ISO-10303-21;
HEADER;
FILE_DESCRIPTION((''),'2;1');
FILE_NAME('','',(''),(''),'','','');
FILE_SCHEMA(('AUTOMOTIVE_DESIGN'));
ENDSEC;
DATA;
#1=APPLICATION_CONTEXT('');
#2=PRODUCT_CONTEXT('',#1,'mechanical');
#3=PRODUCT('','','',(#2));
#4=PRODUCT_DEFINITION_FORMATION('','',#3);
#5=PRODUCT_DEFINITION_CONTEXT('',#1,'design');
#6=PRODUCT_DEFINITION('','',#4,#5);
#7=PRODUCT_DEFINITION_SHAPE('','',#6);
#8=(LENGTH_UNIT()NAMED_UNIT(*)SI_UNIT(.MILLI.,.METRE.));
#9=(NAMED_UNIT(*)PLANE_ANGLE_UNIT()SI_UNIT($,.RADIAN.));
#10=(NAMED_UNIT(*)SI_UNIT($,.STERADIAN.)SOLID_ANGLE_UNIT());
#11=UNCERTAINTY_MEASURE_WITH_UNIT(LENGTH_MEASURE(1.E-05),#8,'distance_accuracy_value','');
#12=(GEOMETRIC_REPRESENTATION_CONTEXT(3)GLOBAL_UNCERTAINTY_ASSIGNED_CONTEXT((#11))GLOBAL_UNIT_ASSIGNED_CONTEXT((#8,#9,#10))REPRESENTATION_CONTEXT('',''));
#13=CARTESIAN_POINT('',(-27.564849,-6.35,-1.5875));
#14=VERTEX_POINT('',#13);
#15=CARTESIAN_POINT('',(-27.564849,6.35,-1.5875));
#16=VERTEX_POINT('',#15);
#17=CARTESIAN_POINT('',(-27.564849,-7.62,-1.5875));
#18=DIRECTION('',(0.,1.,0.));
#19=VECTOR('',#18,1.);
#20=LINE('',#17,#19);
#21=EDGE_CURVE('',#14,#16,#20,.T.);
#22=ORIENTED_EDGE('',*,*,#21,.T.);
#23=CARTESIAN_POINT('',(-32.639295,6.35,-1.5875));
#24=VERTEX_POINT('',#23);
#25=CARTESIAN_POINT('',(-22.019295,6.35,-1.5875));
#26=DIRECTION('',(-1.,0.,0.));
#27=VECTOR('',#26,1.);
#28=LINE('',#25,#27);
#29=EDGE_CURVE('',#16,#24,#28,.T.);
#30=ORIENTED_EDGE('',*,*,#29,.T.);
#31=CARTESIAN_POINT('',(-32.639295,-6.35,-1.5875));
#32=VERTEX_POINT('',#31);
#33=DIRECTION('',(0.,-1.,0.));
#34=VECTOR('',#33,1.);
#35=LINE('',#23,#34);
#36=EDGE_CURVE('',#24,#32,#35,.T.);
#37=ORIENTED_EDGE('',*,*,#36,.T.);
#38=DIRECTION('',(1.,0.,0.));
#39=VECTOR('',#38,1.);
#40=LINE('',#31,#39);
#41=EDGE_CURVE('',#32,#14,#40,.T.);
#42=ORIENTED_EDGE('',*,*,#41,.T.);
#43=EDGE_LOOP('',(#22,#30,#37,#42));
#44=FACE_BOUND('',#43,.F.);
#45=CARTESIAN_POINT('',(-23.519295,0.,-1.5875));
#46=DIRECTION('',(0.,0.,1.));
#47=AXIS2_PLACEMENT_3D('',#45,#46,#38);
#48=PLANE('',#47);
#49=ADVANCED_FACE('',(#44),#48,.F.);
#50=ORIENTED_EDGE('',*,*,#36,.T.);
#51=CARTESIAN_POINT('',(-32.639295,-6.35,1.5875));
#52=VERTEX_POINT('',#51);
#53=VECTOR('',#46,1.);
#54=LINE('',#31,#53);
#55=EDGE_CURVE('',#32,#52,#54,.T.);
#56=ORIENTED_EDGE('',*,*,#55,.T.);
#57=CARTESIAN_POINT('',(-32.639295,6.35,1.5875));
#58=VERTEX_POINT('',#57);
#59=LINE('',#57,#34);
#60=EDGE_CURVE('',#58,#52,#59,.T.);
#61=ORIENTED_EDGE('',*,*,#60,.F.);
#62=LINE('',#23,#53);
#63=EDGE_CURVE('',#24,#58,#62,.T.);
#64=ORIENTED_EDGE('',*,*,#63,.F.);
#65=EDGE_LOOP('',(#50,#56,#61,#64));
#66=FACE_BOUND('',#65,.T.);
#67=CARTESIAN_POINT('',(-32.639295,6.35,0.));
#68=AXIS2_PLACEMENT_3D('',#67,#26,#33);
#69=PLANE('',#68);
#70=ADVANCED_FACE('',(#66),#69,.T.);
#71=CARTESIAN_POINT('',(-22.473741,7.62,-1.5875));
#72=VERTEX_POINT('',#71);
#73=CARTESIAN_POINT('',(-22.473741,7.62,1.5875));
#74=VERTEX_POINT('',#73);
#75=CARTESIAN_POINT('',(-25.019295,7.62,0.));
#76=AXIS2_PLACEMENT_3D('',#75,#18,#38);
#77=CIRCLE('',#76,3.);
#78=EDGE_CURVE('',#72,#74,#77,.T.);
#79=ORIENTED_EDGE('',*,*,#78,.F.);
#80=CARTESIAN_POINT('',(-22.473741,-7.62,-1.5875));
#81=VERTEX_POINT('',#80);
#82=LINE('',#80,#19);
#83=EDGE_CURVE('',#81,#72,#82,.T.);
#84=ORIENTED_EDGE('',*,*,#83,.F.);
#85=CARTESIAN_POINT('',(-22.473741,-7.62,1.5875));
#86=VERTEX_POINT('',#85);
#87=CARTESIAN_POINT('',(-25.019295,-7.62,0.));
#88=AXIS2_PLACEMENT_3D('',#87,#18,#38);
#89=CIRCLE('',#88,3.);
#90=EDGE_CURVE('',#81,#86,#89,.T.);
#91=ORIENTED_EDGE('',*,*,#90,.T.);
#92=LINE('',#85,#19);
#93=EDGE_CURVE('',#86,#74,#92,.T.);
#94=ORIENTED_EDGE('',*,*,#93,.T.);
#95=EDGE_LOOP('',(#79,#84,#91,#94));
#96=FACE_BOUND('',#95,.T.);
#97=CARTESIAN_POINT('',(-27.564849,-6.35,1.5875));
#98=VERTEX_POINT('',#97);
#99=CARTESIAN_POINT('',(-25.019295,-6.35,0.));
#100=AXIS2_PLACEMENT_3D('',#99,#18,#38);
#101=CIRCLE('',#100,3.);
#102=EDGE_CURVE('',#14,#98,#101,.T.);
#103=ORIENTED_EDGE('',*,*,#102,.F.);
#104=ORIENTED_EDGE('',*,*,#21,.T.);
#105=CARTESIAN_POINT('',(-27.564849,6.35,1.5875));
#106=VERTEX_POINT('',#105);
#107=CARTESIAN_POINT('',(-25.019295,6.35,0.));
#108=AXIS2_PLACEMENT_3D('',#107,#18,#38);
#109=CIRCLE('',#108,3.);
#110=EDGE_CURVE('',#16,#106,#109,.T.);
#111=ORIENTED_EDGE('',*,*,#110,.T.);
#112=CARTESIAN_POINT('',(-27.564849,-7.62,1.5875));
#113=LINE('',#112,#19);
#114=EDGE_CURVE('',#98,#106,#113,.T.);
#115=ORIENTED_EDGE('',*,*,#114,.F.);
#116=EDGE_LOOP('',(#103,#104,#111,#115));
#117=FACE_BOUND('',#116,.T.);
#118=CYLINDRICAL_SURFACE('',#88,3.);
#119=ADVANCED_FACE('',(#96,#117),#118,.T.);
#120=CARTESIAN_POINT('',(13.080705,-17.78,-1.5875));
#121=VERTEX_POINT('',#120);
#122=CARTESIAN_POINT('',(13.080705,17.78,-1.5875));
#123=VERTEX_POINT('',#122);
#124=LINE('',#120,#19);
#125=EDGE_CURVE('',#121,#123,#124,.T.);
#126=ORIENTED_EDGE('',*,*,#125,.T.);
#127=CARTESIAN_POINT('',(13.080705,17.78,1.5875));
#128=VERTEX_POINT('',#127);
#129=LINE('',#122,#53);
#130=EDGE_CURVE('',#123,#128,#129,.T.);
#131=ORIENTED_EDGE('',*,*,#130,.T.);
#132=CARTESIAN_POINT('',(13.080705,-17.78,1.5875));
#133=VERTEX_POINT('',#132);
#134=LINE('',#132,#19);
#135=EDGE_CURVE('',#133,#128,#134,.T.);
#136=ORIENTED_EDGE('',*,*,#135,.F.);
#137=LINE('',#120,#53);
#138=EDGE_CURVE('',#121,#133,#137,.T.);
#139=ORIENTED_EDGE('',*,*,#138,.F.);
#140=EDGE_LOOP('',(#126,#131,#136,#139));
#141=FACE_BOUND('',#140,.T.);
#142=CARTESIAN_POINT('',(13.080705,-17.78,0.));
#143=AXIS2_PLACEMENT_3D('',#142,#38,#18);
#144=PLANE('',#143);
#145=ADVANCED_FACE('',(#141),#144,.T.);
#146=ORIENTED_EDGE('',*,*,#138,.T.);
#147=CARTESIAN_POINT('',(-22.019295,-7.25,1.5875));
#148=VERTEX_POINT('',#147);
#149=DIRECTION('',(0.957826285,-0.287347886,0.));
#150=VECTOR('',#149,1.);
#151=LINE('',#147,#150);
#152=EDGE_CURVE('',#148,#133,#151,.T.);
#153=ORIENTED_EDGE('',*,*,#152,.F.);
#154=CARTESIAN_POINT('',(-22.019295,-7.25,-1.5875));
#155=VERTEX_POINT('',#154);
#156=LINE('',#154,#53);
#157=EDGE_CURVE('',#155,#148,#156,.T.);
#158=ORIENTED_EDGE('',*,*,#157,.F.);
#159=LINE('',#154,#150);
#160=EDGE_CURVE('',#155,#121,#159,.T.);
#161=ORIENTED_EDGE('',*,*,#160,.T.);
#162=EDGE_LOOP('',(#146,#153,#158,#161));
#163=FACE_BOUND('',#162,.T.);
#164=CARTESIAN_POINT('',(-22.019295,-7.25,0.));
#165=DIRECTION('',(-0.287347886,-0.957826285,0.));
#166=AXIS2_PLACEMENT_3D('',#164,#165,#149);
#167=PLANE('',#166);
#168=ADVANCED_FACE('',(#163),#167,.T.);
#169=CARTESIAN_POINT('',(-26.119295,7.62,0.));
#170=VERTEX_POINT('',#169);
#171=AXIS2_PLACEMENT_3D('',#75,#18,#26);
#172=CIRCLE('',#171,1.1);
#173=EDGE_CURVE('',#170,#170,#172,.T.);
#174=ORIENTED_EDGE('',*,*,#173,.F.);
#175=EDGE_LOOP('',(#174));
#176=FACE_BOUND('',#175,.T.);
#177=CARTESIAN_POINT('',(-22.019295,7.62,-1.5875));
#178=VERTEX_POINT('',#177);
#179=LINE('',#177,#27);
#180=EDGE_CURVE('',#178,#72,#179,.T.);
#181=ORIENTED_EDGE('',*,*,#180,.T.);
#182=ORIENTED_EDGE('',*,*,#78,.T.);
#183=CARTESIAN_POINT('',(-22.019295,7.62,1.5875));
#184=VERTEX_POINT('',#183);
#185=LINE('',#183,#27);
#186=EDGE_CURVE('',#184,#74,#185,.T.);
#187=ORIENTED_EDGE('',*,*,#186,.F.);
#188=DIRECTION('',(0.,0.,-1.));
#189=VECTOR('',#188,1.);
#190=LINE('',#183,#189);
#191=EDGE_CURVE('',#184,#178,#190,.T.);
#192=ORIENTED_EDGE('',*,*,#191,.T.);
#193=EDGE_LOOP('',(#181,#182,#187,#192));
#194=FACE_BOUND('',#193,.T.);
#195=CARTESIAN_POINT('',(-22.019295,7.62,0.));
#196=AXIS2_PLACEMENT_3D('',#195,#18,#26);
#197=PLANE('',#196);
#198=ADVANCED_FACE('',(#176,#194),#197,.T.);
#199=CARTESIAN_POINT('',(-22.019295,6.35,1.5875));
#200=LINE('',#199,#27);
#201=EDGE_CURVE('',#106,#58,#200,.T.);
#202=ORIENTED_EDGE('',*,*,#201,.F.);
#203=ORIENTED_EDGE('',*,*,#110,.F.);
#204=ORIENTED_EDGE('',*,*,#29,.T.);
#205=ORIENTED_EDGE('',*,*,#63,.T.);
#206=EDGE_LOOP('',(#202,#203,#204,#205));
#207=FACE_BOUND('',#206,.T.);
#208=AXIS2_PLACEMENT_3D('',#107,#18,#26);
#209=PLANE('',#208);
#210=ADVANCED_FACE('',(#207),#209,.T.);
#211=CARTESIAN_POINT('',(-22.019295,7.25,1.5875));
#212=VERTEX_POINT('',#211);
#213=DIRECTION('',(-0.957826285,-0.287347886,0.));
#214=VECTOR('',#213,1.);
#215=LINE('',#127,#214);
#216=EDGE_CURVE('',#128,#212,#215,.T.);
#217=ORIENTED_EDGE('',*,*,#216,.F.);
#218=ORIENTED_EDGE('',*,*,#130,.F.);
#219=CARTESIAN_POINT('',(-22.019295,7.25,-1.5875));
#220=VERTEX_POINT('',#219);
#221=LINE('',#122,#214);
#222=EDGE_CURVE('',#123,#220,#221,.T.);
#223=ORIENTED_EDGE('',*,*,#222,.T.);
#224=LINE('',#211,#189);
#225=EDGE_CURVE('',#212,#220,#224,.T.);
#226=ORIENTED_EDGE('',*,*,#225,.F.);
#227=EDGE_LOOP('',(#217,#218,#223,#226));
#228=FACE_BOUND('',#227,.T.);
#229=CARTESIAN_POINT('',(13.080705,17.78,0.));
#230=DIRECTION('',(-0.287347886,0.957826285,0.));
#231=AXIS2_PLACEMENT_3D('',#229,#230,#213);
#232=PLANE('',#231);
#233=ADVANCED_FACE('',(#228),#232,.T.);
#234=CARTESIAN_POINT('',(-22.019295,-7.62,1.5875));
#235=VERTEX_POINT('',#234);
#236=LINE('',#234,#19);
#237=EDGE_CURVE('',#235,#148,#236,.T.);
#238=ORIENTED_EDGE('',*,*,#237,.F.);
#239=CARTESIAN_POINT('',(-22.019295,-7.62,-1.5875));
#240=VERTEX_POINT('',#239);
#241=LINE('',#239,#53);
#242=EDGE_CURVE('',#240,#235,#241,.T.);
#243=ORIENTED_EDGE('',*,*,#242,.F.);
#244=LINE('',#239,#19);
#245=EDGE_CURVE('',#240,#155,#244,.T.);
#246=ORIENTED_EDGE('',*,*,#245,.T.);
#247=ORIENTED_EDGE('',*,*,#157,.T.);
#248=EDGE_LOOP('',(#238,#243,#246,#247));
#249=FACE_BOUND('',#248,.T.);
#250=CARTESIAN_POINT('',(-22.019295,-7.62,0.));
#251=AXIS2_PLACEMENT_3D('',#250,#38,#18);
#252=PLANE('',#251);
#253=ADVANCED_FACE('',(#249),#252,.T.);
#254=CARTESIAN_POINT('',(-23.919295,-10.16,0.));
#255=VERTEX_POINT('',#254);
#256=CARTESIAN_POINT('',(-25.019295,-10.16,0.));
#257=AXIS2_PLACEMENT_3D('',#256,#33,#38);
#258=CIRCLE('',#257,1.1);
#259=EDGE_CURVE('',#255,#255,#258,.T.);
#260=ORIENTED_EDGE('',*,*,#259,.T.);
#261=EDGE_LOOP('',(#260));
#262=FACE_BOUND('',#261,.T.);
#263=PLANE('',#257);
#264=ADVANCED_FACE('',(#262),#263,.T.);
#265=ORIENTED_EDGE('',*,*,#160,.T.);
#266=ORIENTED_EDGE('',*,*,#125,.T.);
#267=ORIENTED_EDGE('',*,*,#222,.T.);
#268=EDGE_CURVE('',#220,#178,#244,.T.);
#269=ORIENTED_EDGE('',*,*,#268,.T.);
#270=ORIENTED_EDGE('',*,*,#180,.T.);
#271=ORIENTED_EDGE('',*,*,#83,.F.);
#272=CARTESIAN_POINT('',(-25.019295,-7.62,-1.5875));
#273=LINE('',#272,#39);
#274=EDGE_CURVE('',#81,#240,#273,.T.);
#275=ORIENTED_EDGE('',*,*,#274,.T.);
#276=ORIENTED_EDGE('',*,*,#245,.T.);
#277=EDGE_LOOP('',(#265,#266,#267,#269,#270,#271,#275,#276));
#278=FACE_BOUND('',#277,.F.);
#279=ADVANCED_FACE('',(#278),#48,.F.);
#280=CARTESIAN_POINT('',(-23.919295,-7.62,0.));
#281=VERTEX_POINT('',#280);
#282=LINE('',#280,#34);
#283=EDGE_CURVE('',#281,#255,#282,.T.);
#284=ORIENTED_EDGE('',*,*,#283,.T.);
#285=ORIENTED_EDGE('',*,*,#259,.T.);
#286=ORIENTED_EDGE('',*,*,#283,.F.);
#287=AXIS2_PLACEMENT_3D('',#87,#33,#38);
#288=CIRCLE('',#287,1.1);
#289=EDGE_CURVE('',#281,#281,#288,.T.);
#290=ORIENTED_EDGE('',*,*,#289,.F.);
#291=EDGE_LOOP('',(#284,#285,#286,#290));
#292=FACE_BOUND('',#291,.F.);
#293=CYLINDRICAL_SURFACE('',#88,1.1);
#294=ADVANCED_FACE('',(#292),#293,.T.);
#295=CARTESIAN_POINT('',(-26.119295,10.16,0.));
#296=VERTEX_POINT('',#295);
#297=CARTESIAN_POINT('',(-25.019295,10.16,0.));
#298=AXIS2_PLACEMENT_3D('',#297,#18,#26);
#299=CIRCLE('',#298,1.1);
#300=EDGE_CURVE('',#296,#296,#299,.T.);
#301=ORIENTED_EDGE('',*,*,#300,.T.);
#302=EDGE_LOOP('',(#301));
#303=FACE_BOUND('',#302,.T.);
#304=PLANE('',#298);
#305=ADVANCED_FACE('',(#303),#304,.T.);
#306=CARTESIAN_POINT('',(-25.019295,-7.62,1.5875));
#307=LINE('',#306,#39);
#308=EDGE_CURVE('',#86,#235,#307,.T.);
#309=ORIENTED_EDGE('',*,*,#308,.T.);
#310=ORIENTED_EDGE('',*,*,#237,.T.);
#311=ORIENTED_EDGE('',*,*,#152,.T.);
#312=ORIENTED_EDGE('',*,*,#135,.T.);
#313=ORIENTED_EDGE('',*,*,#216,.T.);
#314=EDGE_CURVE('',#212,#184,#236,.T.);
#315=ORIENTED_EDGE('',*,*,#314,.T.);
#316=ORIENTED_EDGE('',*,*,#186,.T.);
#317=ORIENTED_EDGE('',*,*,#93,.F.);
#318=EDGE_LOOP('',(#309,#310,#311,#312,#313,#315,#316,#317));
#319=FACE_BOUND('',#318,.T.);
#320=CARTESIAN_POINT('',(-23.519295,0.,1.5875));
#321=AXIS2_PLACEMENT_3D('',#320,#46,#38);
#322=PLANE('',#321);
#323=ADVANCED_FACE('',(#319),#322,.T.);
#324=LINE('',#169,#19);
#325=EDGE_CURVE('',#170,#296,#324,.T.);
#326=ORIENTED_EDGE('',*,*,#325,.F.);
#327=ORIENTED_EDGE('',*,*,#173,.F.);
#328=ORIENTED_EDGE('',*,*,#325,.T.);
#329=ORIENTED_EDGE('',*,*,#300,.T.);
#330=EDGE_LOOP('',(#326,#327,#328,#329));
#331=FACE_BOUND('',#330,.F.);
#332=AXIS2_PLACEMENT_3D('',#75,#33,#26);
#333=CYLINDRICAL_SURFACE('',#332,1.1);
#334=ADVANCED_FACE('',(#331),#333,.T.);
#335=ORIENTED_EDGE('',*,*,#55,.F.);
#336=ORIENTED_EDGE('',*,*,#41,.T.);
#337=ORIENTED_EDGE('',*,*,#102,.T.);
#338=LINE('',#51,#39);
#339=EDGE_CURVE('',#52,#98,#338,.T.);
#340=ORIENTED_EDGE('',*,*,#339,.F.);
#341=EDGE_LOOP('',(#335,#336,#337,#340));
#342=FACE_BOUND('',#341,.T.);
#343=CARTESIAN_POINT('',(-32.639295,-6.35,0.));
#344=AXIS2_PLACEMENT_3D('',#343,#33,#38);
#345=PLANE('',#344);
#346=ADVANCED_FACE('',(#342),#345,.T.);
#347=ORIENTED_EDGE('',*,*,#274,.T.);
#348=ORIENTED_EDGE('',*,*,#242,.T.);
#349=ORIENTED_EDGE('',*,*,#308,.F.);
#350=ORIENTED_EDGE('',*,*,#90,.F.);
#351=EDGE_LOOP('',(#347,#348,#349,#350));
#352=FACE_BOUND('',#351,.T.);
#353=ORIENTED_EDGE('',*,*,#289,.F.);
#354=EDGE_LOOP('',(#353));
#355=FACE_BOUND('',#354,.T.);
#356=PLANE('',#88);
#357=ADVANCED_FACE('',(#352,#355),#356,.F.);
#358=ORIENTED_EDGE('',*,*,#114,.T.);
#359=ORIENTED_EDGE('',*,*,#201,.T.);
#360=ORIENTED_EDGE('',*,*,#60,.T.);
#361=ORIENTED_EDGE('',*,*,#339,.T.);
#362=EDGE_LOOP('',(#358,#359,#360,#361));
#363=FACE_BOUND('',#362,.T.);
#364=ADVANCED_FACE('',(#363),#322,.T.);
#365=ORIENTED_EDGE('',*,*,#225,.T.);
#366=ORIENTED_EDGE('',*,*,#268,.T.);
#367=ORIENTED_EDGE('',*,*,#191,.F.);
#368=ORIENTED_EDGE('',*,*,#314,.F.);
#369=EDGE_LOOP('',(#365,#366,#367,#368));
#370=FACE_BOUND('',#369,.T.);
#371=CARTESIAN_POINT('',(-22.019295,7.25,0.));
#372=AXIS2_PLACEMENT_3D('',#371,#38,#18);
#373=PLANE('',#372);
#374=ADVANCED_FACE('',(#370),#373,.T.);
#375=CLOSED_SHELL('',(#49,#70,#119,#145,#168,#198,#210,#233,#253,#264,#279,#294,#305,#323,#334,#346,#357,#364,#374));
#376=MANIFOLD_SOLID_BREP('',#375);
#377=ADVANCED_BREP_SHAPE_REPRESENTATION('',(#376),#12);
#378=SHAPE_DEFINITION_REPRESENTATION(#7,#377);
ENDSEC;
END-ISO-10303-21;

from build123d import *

# Parameters (mm, degrees)
F2_DEPTH = 1.5875
F4_R     = 1.1
F5_DEPTH = 2.54
F3_R     = 1.1
F6_DEPTH = 2.54


with BuildPart() as f1:
    # F0 (on Top) → F1 (revolve)
    with BuildSketch(Plane.XY):
        Polygon((-25.0192951104, 6.35), (-25.0192951104, 0), (-25.0192951104, -6.35), (-22.0192951104, -6.35), (-22.0192951104, 6.35), align=None)
        Polygon((-25.0192951104, 7.62), (-25.0192951104, 6.35), (-22.0192951104, 7.25), (-22.0192951104, 7.62), align=None)
        Polygon((-22.0192951104, -7.25), (-25.0192951104, -6.35), (-25.0192951104, -7.62), (-22.0192951104, -7.62), align=None)
        Polygon((-22.0192951104, -6.35), (-25.0192951104, -6.35), (-22.0192951104, -7.25), align=None)
        Polygon((-22.0192951104, 7.25), (-25.0192951104, 6.35), (-22.0192951104, 6.35), align=None)
    revolve(axis=Axis((-25.0192951104, 3.175, 0), (0, 1, 0)))

    # F0 (on Top) → F2 (join, symmetric)
    with BuildSketch(Plane.XY):
        Polygon((-25.0192951104, 6.35), (-25.0192951104, 0), (-25.0192951104, -6.35), (-22.0192951104, -6.35), (-22.0192951104, 6.35), align=None)
        Polygon((-25.0192951104, -6.35), (-25.0192951104, 0), (-25.0192951104, 6.35), (-32.6392951104, 6.35), (-32.6392951104, -6.35), align=None)
        Polygon((-22.0192951104, -6.35), (-25.0192951104, -6.35), (-22.0192951104, -7.25), align=None)
        Polygon((-22.0192951104, -7.25), (-25.0192951104, -6.35), (-25.0192951104, -7.62), (-22.0192951104, -7.62), align=None)
        Polygon((-25.0192951104, 7.62), (-25.0192951104, 6.35), (-22.0192951104, 7.25), (-22.0192951104, 7.62), align=None)
        Polygon((-22.0192951104, 7.25), (-25.0192951104, 6.35), (-22.0192951104, 6.35), align=None)
        Polygon((-22.0192951104, -6.35), (-22.0192951104, -7.25), (13.0807048896, -17.78), (13.0807048896, 0), (13.0807048896, 17.78), (-22.0192951104, 7.25), (-22.0192951104, 6.35), align=None)
    extrude(amount=F2_DEPTH, both=True)

    # F4 (on face) → F5 (join)
    with BuildSketch(Plane(origin=(0, 7.62, 0), x_dir=(-1, 0, 0), z_dir=(0, 1, 0))):
        with Locations((25.0192951104, 0)):
            Circle(F4_R)
    extrude(amount=F5_DEPTH)

    # F3 (on face) → F6 (join)
    with BuildSketch(Plane.XZ.offset(7.62)):
        with Locations((-25.0192951104, 0)):
            Circle(F3_R)
    extrude(amount=F6_DEPTH)


solid = f1.part
